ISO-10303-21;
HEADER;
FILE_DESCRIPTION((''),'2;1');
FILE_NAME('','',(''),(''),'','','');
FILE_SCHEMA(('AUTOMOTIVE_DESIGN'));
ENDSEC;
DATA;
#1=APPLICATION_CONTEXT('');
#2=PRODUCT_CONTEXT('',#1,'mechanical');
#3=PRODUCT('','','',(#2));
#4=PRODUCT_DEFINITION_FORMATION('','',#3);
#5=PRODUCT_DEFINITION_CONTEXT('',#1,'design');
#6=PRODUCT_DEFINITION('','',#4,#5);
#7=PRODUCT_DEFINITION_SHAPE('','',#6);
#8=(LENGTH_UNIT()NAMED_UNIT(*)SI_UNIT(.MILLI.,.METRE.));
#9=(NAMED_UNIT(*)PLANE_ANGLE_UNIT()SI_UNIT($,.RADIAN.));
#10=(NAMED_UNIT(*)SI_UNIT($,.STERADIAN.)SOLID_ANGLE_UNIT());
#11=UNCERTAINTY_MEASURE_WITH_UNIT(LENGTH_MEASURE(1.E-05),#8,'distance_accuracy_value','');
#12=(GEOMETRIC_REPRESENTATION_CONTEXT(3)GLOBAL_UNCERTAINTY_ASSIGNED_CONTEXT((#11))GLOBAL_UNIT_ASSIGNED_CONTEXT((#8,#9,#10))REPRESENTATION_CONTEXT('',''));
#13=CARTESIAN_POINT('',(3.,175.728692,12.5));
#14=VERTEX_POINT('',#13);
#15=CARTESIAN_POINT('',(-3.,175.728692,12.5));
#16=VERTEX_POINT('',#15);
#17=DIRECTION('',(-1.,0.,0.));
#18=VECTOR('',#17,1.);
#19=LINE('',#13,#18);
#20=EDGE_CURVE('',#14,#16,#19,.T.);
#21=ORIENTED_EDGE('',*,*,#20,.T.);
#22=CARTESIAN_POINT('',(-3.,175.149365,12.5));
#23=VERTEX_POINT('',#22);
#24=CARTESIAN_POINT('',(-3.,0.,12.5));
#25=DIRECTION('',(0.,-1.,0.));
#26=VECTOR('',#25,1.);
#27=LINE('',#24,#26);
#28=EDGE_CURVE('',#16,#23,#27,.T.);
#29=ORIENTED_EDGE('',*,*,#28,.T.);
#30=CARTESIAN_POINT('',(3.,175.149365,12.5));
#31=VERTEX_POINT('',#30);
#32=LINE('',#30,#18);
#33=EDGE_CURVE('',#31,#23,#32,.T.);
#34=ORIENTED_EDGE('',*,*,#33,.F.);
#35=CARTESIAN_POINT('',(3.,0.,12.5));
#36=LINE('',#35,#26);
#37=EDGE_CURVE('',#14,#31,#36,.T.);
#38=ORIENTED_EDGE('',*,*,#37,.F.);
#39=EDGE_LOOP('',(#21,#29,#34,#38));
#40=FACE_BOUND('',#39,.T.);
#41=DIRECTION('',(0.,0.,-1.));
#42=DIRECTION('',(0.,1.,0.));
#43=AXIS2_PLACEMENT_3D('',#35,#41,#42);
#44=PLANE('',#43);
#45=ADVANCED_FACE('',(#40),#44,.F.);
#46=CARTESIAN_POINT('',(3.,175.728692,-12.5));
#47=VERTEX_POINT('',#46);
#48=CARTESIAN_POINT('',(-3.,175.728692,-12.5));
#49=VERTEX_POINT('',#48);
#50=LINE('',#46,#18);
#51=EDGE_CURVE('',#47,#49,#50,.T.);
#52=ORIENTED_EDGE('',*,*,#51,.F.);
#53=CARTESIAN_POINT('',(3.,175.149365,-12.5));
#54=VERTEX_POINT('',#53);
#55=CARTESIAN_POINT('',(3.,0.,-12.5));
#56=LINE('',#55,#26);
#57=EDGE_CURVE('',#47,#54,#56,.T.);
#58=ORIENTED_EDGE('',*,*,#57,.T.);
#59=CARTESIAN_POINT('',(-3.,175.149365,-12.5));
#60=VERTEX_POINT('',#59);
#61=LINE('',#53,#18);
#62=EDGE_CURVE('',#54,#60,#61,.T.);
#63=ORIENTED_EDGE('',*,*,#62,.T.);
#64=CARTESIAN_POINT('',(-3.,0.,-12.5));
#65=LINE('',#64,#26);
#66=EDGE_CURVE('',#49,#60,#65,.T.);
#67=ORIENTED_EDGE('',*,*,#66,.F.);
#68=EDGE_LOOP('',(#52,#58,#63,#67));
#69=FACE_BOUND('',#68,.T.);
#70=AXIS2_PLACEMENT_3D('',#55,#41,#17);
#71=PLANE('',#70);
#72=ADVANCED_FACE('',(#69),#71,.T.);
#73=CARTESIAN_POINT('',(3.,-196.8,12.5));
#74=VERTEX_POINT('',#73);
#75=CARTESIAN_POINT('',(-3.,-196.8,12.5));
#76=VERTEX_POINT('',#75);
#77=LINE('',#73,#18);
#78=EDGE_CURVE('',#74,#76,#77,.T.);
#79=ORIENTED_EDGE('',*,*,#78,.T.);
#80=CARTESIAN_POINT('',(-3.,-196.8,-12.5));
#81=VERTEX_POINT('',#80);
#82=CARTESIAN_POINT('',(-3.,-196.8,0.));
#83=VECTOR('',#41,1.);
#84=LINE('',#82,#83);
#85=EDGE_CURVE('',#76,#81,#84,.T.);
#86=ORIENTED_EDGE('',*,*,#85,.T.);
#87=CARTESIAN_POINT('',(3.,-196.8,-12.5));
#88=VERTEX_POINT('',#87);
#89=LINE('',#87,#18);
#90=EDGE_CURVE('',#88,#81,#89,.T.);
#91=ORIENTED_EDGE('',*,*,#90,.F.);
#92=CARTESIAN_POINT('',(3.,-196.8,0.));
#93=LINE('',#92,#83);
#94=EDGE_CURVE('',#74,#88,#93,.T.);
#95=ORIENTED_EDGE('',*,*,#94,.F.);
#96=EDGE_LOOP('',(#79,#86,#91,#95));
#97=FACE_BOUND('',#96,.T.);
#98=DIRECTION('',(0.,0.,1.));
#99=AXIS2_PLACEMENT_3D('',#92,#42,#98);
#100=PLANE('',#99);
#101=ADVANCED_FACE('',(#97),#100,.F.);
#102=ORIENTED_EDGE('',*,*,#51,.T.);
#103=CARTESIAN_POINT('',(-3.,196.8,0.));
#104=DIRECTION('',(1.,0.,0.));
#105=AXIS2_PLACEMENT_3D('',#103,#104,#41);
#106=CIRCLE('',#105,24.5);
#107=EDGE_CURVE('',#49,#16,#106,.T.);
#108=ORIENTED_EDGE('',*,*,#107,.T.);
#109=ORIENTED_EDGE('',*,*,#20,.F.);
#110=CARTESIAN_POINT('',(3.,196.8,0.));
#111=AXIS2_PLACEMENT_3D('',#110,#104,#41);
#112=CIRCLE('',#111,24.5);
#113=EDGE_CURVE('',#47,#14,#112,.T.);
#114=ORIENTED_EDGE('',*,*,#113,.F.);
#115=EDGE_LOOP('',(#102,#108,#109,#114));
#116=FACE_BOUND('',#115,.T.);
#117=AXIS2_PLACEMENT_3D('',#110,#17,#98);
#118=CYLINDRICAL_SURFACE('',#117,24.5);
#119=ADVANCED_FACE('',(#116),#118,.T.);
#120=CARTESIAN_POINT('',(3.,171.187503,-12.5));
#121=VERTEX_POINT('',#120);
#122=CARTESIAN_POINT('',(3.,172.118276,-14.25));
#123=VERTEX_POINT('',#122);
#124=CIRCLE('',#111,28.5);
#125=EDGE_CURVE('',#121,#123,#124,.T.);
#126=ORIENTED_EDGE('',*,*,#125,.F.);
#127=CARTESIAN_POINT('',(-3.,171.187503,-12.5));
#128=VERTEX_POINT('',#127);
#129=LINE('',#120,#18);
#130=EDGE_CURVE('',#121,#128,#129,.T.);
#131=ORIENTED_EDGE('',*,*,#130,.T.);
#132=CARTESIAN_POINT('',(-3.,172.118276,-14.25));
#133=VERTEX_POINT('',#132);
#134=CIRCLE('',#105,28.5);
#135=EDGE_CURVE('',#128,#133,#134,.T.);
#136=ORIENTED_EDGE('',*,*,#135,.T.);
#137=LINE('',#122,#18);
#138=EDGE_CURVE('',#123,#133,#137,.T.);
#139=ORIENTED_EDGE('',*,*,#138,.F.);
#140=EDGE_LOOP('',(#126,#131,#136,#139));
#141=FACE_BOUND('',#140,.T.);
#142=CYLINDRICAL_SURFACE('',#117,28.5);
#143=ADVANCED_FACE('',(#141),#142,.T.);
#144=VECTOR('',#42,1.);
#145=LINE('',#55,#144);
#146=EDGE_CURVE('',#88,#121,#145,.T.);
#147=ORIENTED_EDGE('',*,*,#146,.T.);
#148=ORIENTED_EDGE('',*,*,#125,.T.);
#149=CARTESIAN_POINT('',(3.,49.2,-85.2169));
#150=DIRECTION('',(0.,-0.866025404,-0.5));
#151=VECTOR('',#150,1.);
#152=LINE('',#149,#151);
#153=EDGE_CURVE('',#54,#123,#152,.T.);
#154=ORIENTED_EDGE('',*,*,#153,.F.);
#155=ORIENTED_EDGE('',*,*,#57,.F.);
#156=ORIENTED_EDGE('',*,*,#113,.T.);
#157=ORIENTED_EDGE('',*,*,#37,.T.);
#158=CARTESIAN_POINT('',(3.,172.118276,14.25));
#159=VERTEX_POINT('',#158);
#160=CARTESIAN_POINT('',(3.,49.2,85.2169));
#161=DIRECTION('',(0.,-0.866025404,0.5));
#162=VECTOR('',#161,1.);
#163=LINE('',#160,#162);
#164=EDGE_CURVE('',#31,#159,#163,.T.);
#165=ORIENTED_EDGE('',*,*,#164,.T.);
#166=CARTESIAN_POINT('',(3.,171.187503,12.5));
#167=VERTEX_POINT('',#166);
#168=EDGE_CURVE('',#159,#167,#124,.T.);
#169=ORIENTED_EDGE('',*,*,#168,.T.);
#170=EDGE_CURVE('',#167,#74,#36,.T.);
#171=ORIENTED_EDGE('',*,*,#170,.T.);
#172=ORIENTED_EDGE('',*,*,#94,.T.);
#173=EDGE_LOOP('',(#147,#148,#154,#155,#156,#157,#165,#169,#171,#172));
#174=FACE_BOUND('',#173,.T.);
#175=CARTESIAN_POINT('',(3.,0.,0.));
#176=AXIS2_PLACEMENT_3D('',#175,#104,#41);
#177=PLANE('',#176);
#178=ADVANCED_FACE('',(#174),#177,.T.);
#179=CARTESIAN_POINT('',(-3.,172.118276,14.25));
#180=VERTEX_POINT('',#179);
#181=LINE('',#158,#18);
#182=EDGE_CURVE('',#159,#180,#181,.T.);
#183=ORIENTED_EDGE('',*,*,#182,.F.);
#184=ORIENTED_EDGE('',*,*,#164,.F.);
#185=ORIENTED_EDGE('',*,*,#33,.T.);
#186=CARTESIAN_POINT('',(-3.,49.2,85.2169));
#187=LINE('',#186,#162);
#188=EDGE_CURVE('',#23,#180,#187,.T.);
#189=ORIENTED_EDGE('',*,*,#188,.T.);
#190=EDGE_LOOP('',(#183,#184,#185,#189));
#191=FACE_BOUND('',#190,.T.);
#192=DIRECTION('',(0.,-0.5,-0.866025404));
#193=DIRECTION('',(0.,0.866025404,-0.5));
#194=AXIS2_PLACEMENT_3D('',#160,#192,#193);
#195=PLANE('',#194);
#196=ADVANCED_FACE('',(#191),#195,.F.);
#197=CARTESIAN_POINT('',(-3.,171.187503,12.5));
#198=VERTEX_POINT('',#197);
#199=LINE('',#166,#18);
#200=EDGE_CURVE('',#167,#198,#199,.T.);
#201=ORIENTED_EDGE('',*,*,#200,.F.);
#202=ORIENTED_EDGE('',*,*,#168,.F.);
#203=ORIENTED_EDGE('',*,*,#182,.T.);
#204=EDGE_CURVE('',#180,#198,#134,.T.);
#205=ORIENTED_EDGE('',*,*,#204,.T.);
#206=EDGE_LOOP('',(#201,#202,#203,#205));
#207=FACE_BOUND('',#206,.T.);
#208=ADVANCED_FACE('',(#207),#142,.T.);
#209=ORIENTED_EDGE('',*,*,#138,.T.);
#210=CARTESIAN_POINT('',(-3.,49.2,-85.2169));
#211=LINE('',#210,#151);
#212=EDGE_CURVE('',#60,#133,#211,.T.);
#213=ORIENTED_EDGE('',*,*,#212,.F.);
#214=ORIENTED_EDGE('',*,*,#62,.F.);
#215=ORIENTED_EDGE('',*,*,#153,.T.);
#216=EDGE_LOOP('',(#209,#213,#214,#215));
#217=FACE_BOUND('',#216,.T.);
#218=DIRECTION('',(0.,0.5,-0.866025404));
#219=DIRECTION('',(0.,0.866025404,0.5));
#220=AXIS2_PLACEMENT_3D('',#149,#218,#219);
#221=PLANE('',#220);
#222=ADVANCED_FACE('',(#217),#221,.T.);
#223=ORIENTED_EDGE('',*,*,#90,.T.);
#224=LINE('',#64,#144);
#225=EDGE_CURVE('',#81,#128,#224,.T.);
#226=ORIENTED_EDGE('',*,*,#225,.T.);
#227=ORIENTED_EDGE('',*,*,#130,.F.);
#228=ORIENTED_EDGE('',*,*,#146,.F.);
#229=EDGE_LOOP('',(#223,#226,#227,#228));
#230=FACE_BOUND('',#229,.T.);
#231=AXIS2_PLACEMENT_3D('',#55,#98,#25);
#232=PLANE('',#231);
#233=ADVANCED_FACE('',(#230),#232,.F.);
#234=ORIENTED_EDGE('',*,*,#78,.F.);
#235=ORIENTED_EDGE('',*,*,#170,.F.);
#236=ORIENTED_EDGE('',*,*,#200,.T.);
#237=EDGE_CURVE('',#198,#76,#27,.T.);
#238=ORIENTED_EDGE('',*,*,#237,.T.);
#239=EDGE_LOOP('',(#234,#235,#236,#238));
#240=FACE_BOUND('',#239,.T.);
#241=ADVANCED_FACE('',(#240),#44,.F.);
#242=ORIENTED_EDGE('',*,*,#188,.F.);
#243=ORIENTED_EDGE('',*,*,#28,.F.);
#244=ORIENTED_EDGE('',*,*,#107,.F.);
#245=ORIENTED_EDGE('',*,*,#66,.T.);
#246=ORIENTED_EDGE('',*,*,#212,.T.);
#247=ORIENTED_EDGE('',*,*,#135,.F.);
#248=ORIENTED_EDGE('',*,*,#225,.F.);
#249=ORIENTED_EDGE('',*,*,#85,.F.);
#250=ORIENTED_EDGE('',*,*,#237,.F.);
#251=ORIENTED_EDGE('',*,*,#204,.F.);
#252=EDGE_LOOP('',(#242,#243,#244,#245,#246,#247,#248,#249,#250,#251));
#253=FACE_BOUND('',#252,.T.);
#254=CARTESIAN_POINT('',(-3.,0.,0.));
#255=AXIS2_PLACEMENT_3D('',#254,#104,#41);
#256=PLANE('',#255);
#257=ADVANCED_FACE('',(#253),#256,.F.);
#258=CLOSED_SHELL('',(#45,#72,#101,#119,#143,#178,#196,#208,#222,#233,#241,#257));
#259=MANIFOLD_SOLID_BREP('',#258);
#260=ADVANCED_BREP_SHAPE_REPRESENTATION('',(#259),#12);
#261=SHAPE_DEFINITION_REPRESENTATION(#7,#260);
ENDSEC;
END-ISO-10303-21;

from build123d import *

# Parameters (mm, degrees)
BOSS_EXTRUDE1_DEPTH = 3


with BuildPart() as part:
    # Sketch1 → Boss-Extrude1 (new body, symmetric)
    with BuildSketch(Plane(origin=(0, 0, 0), x_dir=(0, 0, -1), z_dir=(1, 0, 0))):
        with BuildLine():
            ThreePointArc((12.5, 175.728692494), (0, 221.3), (-12.5, 175.728692494))
            Line((-12.5, 175.728692494), (-12.5, 175.149364905))
            Line((-12.5, 175.149364905), (-14.25, 172.118275992))
            ThreePointArc((-14.25, 172.118275992), (-13.38309417, 171.637671204), (-12.5, 171.18750305))
            Line((-12.5, 171.18750305), (-12.5, -196.8))
            Line((-12.5, -196.8), (12.5, -196.8))
            Line((12.5, -196.8), (12.5, 171.18750305))
            ThreePointArc((12.5, 171.18750305), (13.38309417, 171.637671204), (14.25, 172.118275992))
            Line((14.25, 172.118275992), (12.5, 175.149364905))
            Line((12.5, 175.149364905), (12.5, 175.728692494))
        make_face()
    extrude(amount=BOSS_EXTRUDE1_DEPTH, both=True)


solid = part.part
